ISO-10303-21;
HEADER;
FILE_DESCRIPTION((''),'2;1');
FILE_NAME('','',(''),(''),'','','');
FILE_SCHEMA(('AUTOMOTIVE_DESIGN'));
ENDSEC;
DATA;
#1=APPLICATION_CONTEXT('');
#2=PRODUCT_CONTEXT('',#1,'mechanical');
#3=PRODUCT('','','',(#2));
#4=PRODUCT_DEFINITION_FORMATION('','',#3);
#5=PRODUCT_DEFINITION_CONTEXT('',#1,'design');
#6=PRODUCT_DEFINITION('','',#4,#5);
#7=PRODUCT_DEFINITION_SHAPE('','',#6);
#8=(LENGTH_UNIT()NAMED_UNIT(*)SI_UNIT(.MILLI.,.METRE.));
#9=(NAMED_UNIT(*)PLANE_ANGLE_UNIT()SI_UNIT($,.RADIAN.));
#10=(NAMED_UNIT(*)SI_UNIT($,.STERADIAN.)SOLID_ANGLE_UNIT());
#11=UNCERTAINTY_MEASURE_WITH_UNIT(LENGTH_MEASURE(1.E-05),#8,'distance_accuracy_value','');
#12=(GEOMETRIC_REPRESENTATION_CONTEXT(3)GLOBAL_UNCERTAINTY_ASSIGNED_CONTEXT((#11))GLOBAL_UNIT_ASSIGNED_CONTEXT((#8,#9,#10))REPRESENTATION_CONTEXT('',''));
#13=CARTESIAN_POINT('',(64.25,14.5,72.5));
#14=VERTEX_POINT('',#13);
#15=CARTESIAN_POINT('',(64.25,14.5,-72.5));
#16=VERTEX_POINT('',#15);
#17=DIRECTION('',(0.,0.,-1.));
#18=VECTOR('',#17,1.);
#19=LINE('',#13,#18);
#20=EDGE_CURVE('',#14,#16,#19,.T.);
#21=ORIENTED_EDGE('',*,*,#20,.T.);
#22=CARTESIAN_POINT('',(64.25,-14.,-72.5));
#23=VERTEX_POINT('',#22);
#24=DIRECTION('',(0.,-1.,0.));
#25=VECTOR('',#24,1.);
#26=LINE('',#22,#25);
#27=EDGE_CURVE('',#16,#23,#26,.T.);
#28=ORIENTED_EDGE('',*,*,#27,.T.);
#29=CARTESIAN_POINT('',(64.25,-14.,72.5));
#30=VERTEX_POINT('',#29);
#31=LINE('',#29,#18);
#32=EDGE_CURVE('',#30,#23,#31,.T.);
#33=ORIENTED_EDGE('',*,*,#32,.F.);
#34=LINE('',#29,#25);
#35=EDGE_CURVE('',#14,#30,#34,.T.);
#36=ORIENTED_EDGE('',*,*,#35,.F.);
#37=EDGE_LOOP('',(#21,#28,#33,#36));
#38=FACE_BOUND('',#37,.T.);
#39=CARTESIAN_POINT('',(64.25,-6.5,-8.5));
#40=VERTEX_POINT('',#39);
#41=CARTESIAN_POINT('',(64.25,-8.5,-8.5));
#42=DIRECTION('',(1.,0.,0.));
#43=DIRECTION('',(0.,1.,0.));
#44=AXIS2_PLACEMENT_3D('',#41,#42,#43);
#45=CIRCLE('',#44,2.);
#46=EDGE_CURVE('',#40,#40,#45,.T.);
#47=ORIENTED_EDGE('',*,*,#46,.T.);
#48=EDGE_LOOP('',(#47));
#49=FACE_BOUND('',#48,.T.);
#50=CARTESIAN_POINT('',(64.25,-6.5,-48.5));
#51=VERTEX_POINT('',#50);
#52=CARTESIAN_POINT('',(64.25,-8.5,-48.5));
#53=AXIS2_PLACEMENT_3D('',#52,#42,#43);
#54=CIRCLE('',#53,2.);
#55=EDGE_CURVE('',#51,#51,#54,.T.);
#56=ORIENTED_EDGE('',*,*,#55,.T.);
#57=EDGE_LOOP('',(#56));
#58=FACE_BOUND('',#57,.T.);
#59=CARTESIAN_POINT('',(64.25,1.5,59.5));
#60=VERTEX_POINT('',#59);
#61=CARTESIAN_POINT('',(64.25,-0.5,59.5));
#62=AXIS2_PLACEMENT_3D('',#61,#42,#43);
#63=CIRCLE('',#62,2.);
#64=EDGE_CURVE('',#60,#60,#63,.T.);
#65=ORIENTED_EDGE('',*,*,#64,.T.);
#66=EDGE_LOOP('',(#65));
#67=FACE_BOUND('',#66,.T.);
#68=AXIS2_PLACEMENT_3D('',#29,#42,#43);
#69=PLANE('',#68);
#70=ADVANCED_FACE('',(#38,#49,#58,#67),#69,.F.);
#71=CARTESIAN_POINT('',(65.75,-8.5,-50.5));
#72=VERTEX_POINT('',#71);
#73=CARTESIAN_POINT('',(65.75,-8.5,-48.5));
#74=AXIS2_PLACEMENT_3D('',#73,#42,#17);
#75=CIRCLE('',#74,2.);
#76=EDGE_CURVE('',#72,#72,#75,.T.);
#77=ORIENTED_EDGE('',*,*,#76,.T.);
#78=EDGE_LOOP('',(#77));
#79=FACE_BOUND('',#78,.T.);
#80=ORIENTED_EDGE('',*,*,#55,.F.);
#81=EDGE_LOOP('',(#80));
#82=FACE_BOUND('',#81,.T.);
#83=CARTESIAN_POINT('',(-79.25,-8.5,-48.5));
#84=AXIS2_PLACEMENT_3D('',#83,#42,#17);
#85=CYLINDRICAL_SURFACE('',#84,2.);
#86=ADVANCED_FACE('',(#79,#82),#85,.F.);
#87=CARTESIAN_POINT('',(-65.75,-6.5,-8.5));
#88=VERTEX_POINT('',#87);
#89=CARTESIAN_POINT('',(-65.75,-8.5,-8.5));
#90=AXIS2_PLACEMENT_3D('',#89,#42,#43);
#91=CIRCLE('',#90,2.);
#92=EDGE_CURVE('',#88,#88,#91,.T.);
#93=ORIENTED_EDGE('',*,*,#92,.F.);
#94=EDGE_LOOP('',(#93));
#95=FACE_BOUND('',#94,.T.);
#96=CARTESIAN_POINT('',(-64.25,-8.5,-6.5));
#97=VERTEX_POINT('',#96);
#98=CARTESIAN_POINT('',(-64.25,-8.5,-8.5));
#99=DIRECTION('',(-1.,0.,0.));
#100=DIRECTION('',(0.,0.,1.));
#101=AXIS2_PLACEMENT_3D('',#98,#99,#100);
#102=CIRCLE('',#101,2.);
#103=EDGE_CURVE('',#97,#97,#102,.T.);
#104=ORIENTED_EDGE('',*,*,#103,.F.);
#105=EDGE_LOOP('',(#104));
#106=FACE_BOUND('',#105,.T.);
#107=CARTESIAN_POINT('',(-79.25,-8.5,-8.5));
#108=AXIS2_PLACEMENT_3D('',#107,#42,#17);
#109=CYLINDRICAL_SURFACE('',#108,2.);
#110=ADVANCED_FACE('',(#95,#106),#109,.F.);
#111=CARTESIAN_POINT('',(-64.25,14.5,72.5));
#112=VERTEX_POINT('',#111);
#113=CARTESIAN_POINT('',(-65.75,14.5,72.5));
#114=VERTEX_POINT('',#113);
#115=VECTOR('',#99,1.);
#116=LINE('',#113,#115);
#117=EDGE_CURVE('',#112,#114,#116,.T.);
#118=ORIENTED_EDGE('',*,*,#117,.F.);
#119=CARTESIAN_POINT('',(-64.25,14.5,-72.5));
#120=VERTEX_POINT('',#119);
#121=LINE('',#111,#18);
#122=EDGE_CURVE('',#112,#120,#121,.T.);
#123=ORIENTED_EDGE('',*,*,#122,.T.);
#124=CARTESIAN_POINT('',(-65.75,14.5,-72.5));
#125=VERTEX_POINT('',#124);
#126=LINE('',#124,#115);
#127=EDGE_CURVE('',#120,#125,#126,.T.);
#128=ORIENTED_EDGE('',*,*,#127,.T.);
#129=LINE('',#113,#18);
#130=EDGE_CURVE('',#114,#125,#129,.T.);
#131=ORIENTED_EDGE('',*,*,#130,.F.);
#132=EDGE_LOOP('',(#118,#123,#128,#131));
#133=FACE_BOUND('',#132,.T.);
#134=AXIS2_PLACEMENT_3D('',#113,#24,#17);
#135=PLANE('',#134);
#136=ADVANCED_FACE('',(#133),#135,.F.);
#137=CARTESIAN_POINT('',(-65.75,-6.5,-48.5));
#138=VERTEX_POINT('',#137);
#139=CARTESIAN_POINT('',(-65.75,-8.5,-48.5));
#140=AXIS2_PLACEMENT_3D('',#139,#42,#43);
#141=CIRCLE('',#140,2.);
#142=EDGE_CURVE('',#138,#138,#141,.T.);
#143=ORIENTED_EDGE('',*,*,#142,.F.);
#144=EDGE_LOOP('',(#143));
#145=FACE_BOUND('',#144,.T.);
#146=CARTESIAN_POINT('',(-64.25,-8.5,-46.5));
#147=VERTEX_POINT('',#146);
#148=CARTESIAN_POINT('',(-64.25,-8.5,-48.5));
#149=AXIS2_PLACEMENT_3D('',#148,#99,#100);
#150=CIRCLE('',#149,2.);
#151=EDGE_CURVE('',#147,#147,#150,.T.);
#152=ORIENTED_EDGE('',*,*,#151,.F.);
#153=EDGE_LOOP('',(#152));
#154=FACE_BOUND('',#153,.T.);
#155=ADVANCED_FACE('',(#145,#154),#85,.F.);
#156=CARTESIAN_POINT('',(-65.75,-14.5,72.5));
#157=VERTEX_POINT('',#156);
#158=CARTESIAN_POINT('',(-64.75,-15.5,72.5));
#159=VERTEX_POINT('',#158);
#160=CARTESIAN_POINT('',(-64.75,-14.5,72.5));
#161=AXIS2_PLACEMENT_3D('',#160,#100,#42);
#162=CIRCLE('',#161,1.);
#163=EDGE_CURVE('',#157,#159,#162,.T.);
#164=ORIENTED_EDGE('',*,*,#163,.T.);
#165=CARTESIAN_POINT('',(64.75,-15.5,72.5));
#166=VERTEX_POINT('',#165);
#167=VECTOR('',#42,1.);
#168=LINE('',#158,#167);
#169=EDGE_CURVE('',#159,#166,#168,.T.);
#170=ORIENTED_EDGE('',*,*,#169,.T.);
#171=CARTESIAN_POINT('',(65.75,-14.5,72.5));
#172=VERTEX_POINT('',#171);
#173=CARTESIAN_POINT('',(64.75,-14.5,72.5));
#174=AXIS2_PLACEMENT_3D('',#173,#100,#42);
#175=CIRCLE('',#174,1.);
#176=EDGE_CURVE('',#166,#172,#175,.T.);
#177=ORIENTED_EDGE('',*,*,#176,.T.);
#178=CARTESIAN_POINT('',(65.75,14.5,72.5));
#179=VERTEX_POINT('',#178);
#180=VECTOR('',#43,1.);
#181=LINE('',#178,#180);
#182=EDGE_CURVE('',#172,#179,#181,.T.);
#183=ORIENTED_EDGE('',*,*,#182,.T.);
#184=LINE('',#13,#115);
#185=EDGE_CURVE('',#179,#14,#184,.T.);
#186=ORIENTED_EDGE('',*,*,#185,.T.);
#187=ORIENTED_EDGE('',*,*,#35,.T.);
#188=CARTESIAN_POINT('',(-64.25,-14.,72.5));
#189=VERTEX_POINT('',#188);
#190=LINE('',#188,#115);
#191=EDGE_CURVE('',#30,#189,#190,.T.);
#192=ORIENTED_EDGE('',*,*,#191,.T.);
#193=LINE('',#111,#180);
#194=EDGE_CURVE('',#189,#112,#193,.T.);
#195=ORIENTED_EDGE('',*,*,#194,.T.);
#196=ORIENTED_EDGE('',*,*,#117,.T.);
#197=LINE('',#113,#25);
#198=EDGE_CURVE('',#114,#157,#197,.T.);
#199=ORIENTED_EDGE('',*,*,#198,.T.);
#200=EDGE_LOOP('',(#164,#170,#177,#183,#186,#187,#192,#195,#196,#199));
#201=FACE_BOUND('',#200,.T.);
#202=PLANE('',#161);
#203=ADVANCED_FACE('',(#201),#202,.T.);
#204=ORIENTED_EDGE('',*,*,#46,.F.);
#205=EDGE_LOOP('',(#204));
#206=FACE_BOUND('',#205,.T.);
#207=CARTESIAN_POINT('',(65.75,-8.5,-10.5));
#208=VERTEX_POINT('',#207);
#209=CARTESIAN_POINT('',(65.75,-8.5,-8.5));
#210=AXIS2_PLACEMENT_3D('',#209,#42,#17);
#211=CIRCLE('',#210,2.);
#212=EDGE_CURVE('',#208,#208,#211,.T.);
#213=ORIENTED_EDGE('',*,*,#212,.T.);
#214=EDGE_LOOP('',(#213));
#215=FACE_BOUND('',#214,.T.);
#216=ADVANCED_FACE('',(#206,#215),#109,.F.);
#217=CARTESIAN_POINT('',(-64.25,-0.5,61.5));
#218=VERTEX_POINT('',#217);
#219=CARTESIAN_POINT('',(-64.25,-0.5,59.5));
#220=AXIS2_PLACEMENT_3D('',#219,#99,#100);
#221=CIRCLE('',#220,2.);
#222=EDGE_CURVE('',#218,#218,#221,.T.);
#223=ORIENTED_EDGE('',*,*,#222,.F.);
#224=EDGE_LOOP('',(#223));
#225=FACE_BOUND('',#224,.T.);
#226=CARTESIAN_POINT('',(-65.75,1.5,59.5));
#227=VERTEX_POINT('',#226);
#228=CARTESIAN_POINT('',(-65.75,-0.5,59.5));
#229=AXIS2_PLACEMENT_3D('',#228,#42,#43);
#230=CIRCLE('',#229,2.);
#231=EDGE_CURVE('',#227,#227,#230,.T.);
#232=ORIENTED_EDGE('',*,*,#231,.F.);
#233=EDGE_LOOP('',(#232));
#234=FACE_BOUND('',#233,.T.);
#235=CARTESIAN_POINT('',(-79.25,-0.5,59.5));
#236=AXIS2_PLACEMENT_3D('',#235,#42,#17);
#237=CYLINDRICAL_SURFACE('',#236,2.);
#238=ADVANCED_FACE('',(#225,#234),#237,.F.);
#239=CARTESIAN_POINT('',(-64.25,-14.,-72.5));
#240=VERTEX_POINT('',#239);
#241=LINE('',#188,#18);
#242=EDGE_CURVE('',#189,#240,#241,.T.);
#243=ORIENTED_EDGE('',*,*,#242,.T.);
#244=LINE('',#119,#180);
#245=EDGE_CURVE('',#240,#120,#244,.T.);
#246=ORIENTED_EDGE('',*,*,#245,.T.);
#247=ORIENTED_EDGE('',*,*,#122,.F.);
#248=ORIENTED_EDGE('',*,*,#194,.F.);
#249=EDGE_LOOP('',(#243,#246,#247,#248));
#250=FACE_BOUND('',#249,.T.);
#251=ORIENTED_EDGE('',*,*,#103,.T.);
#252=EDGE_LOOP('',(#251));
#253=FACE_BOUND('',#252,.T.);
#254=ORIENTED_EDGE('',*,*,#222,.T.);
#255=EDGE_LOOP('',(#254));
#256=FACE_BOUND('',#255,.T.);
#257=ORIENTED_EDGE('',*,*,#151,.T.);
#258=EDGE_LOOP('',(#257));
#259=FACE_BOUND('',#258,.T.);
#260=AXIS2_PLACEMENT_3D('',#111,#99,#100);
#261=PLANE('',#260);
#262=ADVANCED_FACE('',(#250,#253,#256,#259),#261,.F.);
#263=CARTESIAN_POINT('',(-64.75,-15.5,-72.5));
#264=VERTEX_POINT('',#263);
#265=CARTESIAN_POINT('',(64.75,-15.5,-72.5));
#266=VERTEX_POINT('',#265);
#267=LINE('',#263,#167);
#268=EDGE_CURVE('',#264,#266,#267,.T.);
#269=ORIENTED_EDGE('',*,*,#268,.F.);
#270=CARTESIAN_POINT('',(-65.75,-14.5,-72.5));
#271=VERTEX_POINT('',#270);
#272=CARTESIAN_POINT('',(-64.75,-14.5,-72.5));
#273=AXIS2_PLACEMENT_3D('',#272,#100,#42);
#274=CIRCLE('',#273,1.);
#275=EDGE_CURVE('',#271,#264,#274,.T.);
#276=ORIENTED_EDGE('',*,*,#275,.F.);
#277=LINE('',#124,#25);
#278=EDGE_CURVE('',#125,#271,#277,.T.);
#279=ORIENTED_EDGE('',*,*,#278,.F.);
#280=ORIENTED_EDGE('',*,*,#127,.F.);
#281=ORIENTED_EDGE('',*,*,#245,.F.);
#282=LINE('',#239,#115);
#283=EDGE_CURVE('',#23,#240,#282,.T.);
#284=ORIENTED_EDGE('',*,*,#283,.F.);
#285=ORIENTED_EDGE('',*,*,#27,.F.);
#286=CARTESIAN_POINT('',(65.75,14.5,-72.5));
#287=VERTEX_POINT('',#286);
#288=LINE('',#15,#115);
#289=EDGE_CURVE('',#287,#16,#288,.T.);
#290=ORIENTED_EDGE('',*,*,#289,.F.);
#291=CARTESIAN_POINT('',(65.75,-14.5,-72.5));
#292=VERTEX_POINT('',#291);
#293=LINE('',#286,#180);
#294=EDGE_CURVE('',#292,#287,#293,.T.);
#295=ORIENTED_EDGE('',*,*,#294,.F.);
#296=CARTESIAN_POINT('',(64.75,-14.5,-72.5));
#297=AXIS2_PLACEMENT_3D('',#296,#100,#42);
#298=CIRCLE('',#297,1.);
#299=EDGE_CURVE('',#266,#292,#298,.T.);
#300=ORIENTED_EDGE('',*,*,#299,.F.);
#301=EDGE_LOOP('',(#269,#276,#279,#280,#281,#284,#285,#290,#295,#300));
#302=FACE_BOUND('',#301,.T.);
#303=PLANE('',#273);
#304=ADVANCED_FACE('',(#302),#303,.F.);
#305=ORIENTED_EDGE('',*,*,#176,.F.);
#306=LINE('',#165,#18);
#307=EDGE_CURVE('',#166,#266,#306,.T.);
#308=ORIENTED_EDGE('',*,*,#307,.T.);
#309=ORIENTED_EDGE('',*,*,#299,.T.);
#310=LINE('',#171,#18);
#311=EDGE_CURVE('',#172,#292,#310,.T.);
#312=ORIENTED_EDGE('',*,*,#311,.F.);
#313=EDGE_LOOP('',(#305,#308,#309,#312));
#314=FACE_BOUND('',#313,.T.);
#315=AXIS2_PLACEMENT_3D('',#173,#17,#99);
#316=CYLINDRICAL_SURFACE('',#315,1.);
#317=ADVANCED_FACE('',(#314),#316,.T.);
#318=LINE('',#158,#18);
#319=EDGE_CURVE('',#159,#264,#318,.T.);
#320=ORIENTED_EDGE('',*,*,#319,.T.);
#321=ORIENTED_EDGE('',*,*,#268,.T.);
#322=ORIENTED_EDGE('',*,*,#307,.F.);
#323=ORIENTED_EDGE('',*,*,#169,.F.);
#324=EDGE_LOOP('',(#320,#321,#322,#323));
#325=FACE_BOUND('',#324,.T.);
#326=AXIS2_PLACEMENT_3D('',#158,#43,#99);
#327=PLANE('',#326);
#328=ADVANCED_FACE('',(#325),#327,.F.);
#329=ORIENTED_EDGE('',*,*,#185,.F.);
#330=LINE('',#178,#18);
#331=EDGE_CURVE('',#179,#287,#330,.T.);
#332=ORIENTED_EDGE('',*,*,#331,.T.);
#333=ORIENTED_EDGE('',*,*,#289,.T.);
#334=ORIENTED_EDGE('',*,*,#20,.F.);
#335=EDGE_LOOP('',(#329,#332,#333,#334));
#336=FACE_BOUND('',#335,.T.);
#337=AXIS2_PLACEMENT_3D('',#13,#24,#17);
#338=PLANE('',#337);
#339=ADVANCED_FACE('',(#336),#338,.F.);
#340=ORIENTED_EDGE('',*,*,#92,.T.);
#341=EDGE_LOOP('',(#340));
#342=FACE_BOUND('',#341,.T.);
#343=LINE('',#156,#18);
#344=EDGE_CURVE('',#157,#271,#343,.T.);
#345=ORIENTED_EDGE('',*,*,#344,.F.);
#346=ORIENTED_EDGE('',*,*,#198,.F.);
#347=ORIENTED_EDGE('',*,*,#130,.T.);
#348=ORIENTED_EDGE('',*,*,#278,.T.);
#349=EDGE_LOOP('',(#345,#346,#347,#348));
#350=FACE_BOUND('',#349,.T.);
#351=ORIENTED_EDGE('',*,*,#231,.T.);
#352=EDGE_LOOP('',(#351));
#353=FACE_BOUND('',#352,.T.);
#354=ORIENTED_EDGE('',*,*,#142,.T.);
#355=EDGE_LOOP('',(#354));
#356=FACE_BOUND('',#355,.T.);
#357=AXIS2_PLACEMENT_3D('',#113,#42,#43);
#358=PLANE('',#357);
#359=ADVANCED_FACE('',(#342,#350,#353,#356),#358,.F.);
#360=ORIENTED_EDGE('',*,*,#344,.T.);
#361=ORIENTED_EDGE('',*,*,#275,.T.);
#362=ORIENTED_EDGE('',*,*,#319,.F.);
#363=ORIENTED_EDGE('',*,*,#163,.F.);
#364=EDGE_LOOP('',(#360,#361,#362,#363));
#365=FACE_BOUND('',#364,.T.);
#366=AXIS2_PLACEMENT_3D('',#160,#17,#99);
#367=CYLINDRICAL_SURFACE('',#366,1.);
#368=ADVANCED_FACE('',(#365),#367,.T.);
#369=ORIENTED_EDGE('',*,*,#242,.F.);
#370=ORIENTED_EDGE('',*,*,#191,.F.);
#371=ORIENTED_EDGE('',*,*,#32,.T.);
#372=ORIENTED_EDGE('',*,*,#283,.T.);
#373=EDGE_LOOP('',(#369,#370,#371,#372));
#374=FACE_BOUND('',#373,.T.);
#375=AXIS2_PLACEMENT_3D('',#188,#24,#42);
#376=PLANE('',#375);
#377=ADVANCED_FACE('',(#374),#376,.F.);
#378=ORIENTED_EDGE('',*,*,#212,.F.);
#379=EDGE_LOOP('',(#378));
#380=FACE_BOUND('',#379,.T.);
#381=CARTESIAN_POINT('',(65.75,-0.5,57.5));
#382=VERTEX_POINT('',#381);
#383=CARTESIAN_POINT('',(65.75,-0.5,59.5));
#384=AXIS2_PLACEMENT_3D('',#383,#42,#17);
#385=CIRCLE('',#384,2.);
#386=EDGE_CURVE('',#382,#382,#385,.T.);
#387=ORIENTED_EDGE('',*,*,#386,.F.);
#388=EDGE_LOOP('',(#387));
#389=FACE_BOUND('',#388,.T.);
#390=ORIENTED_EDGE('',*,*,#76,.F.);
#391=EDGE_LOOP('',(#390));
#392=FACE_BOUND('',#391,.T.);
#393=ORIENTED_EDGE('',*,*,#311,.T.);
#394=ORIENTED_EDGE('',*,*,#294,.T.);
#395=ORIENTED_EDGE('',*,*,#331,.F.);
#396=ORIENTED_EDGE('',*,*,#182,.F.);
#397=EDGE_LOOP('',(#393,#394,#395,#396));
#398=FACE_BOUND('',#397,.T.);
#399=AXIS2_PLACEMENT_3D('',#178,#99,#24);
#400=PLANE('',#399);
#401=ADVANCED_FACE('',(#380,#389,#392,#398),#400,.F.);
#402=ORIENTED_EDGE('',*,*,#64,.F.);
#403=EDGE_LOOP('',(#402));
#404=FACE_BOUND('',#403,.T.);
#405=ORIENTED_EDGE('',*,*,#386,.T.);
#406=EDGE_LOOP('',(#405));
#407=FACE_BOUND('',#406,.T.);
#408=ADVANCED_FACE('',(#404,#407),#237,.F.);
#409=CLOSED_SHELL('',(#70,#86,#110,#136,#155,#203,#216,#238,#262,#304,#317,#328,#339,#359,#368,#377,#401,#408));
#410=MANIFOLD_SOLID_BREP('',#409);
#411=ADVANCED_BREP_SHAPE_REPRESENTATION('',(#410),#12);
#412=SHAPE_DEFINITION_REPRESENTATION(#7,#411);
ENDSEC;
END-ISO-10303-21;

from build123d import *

# Parameters (mm, degrees)
SALIENTE_EXTRUIR1_DEPTH = 72.5
CROQUIS2_R              = 2
CORTAR_EXTRUIR1_DEPTH   = 145


with BuildPart() as part:
    # Croquis1 → Saliente-Extruir1 (new, symmetric)
    with BuildSketch(Plane.XY):
        with BuildLine():
            Line((-64.25, 14.5), (-64.25, -14))
            Line((-64.25, -14), (64.25, -14))
            Line((64.25, -14), (64.25, 14.5))
            Line((64.25, 14.5), (65.75, 14.5))
            Line((65.75, 14.5), (65.75, -14.5))
            ThreePointArc((65.75, -14.5), (65.457106781, -15.207106781), (64.75, -15.5))
            Line((64.75, -15.5), (-64.75, -15.5))
            ThreePointArc((-64.75, -15.5), (-65.457106781, -15.207106781), (-65.75, -14.5))
            Line((-65.75, -14.5), (-65.75, 14.5))
            Line((-65.75, 14.5), (-64.25, 14.5))
        make_face()
    extrude(amount=SALIENTE_EXTRUIR1_DEPTH, both=True)

    # Croquis2 → Cortar-Extruir1 (cut)
    with BuildSketch(Plane(origin=(65.75, 0, 0), x_dir=(0, 0, -1), z_dir=(1, 0, 0))):
        with Locations(Location((-59.5, -0.5, 0), (0, 0, 90))):
            Circle(CROQUIS2_R)
        with Locations(Location((8.5, -8.5, 0), (0, 0, 90))):
            Circle(CROQUIS2_R)
        with Locations(Location((48.5, -8.5, 0), (0, 0, 90))):
            Circle(CROQUIS2_R)
    extrude(amount=-CORTAR_EXTRUIR1_DEPTH, mode=Mode.SUBTRACT)


solid = part.part
